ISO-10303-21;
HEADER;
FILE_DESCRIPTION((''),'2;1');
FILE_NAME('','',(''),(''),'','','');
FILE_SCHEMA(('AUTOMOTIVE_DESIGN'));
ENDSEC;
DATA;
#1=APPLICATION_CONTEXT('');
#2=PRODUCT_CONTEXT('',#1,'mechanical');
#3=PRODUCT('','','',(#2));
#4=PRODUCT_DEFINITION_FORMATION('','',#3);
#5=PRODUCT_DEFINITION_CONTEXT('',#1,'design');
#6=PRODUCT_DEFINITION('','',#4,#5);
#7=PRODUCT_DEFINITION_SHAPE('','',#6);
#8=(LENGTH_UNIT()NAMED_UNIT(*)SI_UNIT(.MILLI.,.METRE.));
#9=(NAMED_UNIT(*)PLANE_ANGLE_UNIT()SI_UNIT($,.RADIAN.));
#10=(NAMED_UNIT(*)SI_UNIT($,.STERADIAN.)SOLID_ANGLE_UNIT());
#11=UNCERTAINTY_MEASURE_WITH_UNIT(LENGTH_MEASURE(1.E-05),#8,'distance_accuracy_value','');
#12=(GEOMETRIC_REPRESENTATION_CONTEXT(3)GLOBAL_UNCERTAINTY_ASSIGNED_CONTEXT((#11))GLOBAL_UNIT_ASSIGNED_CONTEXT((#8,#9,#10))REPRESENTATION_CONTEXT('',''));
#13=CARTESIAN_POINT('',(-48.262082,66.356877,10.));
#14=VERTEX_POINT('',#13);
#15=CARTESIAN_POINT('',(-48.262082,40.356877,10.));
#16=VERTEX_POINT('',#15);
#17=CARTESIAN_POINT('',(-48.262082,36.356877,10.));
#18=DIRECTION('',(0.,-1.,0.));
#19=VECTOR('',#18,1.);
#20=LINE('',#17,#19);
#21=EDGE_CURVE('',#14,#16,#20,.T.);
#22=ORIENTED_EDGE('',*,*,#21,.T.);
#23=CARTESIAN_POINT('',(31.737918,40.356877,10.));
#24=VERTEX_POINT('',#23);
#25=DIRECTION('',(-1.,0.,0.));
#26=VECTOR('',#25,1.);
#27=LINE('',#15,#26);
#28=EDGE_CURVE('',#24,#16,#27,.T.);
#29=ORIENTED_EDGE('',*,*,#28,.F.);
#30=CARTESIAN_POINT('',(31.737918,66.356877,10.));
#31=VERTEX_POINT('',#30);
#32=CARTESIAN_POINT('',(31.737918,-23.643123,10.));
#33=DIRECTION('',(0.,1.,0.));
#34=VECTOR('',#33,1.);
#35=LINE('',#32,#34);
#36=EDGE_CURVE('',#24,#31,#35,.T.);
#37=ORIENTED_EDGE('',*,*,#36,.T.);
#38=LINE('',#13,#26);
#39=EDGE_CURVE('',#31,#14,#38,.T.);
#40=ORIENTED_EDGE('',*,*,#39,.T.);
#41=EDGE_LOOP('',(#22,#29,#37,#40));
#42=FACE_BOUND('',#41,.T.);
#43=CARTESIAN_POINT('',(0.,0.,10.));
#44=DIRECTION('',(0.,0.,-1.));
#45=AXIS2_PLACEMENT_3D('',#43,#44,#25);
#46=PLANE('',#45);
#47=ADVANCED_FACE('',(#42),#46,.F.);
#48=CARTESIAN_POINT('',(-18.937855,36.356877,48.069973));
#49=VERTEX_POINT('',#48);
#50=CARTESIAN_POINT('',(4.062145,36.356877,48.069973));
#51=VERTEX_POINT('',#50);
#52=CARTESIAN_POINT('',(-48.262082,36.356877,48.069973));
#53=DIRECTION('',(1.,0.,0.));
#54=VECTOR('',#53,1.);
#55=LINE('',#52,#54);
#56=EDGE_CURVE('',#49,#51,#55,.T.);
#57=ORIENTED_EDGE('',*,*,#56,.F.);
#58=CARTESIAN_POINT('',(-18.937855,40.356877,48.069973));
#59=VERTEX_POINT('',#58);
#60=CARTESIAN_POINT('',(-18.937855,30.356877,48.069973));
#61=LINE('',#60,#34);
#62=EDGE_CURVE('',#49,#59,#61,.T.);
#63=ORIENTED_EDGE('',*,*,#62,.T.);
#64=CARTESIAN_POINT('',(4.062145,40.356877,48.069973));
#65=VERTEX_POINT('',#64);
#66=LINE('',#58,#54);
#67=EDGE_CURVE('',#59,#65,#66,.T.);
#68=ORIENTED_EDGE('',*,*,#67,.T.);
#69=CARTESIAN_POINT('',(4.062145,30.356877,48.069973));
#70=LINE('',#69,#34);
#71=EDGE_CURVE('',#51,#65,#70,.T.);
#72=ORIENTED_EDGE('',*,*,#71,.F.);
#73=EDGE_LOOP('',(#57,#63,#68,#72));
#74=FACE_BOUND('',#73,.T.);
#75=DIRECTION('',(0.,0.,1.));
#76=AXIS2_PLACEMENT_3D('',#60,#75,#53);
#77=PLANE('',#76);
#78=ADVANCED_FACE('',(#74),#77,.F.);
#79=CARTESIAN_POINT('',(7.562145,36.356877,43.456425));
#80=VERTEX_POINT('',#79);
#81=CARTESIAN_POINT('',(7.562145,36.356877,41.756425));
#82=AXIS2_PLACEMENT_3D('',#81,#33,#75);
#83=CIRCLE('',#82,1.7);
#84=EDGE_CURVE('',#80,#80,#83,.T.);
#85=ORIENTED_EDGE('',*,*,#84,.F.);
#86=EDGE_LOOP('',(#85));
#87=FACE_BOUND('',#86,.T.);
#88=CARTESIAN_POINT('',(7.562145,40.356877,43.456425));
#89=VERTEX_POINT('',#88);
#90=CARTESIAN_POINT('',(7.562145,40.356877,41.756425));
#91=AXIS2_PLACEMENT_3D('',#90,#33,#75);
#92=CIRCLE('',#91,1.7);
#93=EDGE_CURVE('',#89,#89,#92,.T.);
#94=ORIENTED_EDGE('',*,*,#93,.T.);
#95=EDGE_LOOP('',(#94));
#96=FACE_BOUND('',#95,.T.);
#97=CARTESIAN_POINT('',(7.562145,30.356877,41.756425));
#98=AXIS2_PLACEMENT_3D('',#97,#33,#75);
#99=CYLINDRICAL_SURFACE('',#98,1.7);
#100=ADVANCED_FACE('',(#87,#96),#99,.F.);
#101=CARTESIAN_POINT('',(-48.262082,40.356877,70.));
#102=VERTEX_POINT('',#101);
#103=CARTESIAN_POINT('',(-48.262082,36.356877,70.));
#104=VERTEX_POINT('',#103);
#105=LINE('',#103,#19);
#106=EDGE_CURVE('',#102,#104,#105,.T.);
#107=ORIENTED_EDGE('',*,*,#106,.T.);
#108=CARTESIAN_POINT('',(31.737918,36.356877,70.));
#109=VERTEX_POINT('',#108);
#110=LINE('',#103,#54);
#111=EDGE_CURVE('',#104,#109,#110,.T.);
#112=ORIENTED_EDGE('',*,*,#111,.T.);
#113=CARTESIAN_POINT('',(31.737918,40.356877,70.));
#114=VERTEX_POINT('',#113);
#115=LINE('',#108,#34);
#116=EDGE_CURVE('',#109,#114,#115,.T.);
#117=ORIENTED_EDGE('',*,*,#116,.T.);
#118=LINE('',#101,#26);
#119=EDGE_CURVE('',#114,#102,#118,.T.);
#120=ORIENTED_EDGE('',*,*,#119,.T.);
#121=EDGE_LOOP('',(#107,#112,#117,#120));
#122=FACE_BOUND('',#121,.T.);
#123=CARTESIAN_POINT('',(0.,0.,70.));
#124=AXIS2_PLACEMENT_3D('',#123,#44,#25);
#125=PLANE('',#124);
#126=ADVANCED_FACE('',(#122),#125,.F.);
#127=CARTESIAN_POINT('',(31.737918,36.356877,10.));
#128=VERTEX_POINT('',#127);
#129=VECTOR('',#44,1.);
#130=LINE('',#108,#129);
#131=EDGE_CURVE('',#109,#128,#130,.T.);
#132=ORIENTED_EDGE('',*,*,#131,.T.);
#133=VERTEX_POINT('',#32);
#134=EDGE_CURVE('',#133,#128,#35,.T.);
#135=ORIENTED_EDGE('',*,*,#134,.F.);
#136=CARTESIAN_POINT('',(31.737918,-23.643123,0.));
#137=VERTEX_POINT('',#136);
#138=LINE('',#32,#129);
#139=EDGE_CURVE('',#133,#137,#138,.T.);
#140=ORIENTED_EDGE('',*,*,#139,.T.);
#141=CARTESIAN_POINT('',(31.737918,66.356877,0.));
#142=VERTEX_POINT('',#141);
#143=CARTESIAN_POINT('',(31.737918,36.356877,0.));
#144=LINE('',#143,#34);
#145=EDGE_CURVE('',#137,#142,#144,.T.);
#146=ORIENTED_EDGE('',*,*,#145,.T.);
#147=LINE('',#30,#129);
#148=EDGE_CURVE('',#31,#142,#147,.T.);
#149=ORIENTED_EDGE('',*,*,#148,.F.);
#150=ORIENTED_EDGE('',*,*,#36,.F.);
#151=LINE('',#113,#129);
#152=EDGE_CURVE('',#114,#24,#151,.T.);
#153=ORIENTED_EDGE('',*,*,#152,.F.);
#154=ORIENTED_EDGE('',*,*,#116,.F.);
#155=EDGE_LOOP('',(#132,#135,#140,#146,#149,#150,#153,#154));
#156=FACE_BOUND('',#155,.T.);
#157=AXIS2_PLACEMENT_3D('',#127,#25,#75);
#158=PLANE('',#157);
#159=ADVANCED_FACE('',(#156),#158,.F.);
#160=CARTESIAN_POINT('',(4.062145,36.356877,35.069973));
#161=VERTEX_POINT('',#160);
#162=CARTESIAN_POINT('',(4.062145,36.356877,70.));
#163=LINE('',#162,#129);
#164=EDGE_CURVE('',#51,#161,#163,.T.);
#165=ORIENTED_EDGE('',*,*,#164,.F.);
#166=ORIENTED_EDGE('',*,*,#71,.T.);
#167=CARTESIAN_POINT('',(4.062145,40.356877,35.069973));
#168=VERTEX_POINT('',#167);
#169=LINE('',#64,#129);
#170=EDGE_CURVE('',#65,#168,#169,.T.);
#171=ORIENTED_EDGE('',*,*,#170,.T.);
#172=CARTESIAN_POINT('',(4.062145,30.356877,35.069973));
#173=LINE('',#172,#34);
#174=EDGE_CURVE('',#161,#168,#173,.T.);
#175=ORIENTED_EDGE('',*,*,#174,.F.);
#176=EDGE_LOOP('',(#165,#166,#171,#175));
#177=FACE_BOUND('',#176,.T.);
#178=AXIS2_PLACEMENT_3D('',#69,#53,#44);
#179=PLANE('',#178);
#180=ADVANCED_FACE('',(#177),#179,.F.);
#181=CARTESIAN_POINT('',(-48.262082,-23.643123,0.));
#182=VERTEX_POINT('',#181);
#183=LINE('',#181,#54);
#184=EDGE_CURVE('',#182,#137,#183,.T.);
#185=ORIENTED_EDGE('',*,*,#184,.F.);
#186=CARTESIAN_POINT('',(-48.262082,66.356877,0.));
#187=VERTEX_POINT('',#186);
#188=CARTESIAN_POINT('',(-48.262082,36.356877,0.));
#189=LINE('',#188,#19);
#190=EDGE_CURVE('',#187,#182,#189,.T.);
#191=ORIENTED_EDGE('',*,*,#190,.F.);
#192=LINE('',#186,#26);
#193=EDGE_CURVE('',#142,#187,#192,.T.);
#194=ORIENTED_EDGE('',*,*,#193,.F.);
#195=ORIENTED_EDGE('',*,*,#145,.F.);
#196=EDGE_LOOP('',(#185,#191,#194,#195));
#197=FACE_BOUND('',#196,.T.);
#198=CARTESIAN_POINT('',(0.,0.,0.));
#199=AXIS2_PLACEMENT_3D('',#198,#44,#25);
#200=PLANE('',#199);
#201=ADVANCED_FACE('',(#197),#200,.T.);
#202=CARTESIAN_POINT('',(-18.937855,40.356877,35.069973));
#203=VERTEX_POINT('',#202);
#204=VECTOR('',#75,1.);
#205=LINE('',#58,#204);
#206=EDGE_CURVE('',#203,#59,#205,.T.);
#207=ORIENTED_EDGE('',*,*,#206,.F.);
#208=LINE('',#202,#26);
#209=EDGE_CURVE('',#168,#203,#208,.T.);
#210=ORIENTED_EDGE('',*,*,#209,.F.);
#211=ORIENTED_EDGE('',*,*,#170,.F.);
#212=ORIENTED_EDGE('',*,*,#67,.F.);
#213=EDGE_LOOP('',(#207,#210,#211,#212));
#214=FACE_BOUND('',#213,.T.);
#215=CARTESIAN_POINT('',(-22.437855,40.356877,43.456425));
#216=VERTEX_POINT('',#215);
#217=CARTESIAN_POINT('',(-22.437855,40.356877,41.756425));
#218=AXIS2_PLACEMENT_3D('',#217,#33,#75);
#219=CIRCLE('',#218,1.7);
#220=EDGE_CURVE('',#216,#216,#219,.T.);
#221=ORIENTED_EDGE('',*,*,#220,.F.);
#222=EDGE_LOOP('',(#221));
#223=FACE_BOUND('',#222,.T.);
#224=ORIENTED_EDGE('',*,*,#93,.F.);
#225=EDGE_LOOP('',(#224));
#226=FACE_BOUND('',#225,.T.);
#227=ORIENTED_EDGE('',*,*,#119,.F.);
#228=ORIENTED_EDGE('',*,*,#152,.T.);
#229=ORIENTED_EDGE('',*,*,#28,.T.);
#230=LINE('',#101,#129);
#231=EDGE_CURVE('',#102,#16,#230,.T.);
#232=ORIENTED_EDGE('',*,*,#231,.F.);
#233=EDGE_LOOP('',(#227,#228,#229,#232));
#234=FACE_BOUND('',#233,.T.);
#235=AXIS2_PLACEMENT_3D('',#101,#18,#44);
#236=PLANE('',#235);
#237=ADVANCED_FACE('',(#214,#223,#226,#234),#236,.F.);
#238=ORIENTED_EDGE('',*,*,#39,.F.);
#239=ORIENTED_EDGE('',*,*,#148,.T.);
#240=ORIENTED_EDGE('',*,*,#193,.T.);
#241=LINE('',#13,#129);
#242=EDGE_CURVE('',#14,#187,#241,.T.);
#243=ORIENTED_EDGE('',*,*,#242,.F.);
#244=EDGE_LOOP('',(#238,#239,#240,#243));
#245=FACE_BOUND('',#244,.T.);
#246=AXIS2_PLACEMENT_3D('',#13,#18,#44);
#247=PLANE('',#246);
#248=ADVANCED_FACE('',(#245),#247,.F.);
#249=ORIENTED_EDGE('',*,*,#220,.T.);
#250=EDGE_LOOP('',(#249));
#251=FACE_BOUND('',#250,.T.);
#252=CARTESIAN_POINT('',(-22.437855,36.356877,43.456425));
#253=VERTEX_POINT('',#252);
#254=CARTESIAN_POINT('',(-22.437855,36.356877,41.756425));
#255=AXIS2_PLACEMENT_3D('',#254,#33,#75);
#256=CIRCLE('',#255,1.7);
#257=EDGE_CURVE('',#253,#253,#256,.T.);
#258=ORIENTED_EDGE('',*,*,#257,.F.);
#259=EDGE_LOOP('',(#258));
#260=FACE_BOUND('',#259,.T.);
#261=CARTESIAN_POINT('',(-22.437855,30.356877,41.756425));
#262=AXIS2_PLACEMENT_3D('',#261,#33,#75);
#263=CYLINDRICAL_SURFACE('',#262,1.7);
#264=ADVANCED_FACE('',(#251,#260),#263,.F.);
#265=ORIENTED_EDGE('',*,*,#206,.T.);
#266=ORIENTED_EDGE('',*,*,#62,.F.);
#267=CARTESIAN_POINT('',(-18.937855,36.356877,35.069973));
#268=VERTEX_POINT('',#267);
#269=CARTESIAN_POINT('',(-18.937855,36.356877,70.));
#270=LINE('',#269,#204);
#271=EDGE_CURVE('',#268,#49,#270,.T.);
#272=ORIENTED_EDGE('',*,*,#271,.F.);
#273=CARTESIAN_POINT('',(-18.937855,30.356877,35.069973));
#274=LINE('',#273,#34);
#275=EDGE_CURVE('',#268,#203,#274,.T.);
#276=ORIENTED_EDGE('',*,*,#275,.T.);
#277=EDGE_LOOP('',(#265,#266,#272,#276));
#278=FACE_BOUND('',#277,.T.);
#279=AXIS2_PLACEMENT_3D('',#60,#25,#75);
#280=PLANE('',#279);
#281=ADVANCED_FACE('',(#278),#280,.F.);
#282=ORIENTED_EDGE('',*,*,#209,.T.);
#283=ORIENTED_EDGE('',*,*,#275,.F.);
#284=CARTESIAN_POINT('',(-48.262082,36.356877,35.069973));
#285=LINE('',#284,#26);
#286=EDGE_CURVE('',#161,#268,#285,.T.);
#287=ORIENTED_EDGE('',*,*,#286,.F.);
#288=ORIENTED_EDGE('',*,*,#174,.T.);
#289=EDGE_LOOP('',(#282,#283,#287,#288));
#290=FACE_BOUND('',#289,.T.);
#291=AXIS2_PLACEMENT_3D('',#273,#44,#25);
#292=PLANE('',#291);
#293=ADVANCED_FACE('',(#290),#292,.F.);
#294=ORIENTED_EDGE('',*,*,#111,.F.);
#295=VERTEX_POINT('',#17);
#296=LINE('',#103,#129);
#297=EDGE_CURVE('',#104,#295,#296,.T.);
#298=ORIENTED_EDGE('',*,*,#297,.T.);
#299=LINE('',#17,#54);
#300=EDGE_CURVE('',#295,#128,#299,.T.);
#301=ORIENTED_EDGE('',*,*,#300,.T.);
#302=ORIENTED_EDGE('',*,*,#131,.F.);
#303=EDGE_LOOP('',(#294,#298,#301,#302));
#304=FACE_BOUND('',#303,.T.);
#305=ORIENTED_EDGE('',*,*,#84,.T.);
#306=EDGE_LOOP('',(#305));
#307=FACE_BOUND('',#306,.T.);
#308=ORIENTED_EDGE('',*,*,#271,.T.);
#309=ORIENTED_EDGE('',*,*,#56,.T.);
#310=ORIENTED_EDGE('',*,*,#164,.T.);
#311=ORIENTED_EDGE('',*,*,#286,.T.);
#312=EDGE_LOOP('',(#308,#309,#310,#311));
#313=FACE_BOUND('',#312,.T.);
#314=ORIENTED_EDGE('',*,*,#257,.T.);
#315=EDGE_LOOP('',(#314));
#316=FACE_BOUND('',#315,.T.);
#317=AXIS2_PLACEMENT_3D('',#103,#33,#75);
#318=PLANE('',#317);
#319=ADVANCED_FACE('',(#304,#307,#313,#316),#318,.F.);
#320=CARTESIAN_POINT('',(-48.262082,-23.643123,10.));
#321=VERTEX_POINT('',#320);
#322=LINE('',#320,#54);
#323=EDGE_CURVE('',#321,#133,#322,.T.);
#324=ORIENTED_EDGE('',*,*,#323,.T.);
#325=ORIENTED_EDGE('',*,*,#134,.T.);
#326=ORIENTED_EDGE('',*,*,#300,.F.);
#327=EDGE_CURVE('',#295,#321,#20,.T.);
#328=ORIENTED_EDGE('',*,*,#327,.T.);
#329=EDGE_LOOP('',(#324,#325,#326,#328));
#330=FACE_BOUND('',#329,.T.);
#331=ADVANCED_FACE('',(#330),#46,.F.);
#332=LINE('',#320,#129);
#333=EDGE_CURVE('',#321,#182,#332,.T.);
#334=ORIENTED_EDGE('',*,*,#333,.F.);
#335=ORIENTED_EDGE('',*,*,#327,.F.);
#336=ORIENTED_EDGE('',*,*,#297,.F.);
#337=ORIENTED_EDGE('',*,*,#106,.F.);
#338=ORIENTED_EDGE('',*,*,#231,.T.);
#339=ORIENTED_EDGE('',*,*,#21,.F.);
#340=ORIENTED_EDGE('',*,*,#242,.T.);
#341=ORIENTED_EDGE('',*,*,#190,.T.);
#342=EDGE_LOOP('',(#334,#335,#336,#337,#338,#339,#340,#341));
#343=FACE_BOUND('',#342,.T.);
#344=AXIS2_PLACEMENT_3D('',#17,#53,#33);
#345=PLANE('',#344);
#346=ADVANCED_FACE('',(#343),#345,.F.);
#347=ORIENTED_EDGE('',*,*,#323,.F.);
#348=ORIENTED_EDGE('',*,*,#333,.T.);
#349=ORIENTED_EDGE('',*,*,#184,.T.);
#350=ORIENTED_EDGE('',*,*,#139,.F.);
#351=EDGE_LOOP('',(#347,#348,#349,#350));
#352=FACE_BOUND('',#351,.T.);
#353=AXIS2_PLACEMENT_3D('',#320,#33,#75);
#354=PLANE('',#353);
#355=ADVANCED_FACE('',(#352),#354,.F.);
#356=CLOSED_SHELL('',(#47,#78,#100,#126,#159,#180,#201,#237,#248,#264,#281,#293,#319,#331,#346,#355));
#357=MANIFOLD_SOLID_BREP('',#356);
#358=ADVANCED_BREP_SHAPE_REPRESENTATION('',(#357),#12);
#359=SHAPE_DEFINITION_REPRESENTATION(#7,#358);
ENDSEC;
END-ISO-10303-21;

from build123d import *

# Parameters (mm, degrees)
BASE_DEPTH         = 10
SKETCH2_W          = 80
SKETCH2_H          = 4
SHELF_DEPTH        = 60
SKETCH5_R          = 1.7
SKETCH5_W          = 23
SKETCH5_H          = 13
CUT_EXTRUDE2_DEPTH = 10


with BuildPart() as part:
    # Sketch1 → Base (new body)
    with BuildSketch(Plane.XY):
        Polygon((-48.262081784, 36.356877323), (-48.262081784, -23.643122677), (31.737918216, -23.643122677), (31.737918216, 36.356877323), (31.737918216, 66.356877323), (-48.262081784, 66.356877323), align=None)
    extrude(amount=BASE_DEPTH)

    # Sketch2 → Shelf (add)
    with BuildSketch(Plane.XY.offset(10)):
        with Locations((-8.262081784, 38.356877323)):
            Rectangle(SKETCH2_W, SKETCH2_H)
    extrude(amount=SHELF_DEPTH)

    # Sketch5 → Cut-Extrude2 (cut)
    with BuildSketch(Plane(origin=(0, 40.356877323, 0), x_dir=(1, 0, 0), z_dir=(0, 1, 0))):
        with Locations(Location((-22.437854868, -41.756424537, 0), (0, 0, 270))):
            Circle(SKETCH5_R)
        with Locations(Location((7.562145132, -41.756424537, 0), (0, 0, 270))):
            Circle(SKETCH5_R)
        with Locations((-7.437854868, -41.569973221)):
            Rectangle(SKETCH5_W, SKETCH5_H)
    extrude(amount=-CUT_EXTRUDE2_DEPTH, mode=Mode.SUBTRACT)


solid = part.part
